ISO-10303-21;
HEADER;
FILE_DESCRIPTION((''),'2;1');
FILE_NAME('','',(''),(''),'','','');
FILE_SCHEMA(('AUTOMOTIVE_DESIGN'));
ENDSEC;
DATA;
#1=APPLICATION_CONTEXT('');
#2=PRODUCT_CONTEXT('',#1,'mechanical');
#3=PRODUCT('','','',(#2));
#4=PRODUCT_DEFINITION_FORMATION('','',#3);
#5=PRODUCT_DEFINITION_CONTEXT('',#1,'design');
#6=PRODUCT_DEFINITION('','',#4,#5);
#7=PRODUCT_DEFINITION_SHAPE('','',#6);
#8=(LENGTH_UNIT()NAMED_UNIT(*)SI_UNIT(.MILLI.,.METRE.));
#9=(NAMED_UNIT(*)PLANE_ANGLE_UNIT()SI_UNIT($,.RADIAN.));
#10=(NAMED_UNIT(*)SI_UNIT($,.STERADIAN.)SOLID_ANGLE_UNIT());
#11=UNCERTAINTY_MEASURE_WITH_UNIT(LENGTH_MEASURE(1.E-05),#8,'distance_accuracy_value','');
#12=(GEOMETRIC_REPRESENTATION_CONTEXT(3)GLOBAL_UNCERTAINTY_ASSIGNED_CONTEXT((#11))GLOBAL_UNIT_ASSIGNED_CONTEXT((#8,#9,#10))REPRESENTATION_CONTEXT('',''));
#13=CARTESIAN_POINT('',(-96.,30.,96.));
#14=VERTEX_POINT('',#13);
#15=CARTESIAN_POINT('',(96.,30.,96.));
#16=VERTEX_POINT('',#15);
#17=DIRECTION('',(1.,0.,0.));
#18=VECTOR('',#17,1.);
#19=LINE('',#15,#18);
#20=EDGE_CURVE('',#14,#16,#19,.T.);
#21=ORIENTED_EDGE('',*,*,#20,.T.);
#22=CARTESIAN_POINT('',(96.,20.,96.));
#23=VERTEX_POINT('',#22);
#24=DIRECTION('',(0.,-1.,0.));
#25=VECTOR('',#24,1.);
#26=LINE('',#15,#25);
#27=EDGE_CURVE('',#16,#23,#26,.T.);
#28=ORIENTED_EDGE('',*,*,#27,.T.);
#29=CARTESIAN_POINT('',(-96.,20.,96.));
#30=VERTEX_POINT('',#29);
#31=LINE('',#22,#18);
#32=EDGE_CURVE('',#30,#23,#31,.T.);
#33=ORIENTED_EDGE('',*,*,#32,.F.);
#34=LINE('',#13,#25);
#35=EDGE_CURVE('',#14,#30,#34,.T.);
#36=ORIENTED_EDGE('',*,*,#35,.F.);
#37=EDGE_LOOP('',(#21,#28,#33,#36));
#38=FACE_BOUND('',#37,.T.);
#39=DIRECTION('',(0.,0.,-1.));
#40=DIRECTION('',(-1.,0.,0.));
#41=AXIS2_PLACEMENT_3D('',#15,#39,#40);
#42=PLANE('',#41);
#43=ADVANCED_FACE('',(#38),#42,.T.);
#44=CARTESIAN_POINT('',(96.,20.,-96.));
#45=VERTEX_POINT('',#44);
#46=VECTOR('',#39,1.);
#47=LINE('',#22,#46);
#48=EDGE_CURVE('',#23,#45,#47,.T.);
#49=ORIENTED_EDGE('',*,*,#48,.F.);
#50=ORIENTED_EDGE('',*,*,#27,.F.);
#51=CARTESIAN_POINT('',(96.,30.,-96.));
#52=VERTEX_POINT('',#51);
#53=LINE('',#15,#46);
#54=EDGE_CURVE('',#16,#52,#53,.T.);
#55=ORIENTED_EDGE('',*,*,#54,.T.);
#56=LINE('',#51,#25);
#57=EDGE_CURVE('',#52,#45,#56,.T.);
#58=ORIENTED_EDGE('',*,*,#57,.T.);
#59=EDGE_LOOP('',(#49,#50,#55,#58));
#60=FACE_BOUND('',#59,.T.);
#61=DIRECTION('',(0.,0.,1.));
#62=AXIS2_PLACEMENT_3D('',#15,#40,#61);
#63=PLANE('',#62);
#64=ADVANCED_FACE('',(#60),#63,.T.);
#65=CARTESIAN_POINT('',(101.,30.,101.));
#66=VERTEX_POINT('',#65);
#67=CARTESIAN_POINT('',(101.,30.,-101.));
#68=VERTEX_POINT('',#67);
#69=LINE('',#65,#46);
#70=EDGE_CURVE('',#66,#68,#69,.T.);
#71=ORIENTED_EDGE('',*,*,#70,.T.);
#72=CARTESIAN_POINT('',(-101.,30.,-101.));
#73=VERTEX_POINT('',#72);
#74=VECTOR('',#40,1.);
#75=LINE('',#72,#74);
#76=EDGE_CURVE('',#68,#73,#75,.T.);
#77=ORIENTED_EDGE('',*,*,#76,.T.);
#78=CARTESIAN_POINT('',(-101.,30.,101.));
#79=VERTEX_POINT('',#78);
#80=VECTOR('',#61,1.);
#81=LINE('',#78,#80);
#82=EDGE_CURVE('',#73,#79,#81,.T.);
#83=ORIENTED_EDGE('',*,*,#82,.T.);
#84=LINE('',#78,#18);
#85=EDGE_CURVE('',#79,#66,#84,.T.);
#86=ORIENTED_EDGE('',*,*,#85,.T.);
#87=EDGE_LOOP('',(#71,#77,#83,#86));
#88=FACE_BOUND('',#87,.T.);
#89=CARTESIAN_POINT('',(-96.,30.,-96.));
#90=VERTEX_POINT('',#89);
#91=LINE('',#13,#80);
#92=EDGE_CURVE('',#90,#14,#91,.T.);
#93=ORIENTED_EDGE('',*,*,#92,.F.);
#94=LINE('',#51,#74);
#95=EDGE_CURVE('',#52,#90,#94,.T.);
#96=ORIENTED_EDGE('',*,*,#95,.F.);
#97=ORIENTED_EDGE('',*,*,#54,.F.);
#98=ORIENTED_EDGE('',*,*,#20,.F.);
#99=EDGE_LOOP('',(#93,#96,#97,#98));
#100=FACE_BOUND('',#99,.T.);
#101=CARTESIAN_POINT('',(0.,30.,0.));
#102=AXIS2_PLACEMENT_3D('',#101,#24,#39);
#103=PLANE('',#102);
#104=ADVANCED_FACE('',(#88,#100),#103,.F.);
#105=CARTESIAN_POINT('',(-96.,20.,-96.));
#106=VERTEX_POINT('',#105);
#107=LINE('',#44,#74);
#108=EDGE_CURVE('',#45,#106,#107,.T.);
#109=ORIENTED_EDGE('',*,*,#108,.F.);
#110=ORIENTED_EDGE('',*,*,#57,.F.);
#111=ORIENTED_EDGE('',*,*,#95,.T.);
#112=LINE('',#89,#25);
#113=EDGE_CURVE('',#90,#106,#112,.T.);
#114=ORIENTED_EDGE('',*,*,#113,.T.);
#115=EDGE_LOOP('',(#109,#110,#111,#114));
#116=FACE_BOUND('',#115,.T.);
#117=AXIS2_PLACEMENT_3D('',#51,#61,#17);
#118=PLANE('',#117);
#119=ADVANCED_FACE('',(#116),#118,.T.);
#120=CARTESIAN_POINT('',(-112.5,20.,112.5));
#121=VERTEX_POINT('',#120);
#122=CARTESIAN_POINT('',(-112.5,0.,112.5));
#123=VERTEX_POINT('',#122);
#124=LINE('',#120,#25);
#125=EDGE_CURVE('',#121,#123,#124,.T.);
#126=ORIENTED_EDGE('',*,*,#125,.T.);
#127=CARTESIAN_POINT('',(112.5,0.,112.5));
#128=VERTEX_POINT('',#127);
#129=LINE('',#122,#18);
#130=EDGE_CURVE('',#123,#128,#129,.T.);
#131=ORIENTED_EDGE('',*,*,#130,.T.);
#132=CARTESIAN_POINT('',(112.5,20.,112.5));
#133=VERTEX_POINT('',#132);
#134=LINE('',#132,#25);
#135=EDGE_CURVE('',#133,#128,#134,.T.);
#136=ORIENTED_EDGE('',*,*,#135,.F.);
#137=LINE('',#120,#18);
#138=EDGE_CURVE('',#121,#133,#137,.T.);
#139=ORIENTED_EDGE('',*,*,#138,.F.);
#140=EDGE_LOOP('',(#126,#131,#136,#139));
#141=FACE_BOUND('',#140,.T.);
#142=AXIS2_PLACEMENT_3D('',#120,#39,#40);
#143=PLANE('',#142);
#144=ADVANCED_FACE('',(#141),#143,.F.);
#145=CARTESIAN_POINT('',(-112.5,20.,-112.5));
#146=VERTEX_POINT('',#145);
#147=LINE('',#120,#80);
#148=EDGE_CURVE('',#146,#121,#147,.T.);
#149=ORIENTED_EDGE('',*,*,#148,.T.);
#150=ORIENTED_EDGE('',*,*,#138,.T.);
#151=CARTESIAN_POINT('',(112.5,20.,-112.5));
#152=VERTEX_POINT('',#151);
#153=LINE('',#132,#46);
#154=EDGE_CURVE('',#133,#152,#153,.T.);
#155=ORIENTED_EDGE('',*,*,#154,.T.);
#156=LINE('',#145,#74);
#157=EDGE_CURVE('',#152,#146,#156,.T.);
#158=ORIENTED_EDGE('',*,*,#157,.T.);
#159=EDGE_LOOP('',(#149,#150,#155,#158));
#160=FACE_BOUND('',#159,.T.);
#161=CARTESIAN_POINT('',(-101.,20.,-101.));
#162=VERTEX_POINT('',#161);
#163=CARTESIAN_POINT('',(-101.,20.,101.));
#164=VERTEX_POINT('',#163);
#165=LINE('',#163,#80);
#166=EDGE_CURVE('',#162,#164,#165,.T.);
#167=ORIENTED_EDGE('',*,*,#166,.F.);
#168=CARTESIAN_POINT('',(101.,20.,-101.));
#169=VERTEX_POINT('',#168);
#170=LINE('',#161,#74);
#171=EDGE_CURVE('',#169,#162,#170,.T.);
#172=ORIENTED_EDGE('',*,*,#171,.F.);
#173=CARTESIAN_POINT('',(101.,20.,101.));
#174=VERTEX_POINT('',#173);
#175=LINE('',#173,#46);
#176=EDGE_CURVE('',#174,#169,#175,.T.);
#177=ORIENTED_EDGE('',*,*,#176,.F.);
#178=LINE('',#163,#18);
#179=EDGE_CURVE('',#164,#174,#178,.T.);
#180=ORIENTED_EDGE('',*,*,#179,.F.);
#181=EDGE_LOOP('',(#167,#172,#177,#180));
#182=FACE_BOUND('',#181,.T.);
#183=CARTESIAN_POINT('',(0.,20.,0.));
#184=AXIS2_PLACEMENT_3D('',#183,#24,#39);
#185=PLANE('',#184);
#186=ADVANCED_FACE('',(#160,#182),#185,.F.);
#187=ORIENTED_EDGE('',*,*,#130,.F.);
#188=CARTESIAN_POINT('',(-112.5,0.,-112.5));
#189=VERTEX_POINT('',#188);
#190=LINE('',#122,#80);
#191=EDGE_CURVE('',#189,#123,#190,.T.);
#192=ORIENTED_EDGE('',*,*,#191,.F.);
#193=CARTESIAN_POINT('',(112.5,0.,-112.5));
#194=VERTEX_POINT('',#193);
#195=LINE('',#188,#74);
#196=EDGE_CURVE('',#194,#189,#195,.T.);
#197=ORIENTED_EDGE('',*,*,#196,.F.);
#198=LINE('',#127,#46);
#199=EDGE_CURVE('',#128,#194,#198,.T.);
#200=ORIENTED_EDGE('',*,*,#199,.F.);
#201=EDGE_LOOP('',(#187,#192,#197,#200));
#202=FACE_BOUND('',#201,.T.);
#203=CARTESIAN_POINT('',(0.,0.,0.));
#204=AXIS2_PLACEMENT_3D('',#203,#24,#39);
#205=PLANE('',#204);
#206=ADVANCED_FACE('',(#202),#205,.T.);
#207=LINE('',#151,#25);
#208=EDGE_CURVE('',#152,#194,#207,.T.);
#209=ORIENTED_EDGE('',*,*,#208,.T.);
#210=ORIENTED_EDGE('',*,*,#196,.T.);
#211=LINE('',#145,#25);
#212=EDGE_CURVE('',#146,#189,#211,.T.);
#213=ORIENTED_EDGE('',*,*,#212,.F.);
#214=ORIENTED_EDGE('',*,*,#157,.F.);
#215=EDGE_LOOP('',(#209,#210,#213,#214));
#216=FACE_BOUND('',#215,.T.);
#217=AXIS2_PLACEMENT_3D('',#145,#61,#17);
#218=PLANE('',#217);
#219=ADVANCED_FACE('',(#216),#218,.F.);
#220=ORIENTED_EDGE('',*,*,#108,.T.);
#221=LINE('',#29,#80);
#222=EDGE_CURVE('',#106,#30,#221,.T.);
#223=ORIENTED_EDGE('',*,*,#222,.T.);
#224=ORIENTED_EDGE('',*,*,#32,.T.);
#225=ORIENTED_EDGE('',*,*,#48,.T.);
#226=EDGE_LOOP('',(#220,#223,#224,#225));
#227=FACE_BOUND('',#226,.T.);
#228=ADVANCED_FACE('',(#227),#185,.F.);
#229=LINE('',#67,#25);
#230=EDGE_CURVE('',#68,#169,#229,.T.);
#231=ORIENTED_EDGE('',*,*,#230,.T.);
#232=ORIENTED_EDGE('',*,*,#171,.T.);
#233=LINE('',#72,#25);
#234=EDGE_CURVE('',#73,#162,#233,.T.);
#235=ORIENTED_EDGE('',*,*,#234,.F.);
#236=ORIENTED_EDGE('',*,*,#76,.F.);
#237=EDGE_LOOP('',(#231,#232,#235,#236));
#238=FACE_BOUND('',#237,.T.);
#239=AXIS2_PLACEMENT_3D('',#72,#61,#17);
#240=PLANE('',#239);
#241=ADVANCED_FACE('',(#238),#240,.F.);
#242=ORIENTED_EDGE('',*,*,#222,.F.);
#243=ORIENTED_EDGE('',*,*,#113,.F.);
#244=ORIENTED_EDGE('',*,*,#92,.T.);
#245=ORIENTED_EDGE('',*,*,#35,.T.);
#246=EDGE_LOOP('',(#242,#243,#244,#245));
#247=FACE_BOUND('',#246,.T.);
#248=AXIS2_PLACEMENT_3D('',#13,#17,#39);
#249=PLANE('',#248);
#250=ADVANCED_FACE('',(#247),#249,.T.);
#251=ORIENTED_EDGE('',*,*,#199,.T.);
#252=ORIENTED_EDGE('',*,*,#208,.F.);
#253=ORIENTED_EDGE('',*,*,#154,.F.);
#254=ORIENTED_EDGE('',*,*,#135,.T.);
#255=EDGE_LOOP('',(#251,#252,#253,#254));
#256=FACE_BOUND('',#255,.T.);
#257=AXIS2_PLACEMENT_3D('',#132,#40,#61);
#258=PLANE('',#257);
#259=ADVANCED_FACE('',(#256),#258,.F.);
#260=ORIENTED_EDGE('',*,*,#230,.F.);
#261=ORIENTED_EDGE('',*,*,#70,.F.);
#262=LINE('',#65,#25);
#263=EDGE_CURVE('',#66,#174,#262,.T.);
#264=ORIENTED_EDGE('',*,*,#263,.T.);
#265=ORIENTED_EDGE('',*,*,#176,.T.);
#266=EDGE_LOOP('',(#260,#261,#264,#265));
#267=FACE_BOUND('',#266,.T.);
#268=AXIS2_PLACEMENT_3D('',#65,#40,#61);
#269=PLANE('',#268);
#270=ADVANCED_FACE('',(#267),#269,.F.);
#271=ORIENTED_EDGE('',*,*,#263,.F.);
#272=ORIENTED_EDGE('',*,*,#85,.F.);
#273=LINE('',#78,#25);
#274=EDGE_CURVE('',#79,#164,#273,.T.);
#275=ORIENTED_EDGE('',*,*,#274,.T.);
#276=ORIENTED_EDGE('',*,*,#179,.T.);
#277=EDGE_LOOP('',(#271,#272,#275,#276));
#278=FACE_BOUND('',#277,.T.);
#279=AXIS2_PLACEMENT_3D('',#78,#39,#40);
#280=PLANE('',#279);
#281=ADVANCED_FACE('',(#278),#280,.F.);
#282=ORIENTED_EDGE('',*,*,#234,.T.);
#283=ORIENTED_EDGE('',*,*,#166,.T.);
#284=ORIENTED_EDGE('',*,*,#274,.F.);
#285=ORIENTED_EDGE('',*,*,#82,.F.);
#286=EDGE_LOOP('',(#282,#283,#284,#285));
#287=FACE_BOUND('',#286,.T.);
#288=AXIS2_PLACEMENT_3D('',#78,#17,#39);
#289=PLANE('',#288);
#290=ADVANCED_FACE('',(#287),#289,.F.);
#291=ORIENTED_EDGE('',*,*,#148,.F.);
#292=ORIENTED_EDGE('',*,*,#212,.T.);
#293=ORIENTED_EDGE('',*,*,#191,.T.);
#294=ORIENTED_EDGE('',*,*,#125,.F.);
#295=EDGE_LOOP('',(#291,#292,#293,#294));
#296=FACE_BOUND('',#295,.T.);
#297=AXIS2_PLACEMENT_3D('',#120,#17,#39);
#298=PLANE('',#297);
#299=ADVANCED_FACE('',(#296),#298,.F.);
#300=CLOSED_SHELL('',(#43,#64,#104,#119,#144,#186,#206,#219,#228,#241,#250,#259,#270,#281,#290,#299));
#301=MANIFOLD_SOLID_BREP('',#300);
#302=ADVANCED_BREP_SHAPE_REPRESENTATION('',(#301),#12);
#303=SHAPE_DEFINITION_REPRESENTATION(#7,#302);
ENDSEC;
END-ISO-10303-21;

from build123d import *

# Parameters (mm, degrees)
SKETCH1_W           = 225
SKETCH1_H           = 225
BOSS_EXTRUDE1_DEPTH = 20
SKETCH2_W           = 202
SKETCH2_H           = 202
SKETCH2_W_2         = 192
SKETCH2_H_2         = 192
BOSS_EXTRUDE2_DEPTH = 10


with BuildPart() as part:
    # Sketch1 → Boss-Extrude1 (new body)
    with BuildSketch(Plane(origin=(0, 0, 0), x_dir=(1, 0, 0), z_dir=(0, 1, 0))):
        Rectangle(SKETCH1_W, SKETCH1_H)
    extrude(amount=BOSS_EXTRUDE1_DEPTH)

    # Sketch2 → Boss-Extrude2 (add)
    with BuildSketch(Plane(origin=(0, 20, 0), x_dir=(1, 0, 0), z_dir=(0, 1, 0))):
        Rectangle(SKETCH2_W, SKETCH2_H)
        Rectangle(SKETCH2_W_2, SKETCH2_H_2, mode=Mode.SUBTRACT)
    extrude(amount=BOSS_EXTRUDE2_DEPTH)


solid = part.part
